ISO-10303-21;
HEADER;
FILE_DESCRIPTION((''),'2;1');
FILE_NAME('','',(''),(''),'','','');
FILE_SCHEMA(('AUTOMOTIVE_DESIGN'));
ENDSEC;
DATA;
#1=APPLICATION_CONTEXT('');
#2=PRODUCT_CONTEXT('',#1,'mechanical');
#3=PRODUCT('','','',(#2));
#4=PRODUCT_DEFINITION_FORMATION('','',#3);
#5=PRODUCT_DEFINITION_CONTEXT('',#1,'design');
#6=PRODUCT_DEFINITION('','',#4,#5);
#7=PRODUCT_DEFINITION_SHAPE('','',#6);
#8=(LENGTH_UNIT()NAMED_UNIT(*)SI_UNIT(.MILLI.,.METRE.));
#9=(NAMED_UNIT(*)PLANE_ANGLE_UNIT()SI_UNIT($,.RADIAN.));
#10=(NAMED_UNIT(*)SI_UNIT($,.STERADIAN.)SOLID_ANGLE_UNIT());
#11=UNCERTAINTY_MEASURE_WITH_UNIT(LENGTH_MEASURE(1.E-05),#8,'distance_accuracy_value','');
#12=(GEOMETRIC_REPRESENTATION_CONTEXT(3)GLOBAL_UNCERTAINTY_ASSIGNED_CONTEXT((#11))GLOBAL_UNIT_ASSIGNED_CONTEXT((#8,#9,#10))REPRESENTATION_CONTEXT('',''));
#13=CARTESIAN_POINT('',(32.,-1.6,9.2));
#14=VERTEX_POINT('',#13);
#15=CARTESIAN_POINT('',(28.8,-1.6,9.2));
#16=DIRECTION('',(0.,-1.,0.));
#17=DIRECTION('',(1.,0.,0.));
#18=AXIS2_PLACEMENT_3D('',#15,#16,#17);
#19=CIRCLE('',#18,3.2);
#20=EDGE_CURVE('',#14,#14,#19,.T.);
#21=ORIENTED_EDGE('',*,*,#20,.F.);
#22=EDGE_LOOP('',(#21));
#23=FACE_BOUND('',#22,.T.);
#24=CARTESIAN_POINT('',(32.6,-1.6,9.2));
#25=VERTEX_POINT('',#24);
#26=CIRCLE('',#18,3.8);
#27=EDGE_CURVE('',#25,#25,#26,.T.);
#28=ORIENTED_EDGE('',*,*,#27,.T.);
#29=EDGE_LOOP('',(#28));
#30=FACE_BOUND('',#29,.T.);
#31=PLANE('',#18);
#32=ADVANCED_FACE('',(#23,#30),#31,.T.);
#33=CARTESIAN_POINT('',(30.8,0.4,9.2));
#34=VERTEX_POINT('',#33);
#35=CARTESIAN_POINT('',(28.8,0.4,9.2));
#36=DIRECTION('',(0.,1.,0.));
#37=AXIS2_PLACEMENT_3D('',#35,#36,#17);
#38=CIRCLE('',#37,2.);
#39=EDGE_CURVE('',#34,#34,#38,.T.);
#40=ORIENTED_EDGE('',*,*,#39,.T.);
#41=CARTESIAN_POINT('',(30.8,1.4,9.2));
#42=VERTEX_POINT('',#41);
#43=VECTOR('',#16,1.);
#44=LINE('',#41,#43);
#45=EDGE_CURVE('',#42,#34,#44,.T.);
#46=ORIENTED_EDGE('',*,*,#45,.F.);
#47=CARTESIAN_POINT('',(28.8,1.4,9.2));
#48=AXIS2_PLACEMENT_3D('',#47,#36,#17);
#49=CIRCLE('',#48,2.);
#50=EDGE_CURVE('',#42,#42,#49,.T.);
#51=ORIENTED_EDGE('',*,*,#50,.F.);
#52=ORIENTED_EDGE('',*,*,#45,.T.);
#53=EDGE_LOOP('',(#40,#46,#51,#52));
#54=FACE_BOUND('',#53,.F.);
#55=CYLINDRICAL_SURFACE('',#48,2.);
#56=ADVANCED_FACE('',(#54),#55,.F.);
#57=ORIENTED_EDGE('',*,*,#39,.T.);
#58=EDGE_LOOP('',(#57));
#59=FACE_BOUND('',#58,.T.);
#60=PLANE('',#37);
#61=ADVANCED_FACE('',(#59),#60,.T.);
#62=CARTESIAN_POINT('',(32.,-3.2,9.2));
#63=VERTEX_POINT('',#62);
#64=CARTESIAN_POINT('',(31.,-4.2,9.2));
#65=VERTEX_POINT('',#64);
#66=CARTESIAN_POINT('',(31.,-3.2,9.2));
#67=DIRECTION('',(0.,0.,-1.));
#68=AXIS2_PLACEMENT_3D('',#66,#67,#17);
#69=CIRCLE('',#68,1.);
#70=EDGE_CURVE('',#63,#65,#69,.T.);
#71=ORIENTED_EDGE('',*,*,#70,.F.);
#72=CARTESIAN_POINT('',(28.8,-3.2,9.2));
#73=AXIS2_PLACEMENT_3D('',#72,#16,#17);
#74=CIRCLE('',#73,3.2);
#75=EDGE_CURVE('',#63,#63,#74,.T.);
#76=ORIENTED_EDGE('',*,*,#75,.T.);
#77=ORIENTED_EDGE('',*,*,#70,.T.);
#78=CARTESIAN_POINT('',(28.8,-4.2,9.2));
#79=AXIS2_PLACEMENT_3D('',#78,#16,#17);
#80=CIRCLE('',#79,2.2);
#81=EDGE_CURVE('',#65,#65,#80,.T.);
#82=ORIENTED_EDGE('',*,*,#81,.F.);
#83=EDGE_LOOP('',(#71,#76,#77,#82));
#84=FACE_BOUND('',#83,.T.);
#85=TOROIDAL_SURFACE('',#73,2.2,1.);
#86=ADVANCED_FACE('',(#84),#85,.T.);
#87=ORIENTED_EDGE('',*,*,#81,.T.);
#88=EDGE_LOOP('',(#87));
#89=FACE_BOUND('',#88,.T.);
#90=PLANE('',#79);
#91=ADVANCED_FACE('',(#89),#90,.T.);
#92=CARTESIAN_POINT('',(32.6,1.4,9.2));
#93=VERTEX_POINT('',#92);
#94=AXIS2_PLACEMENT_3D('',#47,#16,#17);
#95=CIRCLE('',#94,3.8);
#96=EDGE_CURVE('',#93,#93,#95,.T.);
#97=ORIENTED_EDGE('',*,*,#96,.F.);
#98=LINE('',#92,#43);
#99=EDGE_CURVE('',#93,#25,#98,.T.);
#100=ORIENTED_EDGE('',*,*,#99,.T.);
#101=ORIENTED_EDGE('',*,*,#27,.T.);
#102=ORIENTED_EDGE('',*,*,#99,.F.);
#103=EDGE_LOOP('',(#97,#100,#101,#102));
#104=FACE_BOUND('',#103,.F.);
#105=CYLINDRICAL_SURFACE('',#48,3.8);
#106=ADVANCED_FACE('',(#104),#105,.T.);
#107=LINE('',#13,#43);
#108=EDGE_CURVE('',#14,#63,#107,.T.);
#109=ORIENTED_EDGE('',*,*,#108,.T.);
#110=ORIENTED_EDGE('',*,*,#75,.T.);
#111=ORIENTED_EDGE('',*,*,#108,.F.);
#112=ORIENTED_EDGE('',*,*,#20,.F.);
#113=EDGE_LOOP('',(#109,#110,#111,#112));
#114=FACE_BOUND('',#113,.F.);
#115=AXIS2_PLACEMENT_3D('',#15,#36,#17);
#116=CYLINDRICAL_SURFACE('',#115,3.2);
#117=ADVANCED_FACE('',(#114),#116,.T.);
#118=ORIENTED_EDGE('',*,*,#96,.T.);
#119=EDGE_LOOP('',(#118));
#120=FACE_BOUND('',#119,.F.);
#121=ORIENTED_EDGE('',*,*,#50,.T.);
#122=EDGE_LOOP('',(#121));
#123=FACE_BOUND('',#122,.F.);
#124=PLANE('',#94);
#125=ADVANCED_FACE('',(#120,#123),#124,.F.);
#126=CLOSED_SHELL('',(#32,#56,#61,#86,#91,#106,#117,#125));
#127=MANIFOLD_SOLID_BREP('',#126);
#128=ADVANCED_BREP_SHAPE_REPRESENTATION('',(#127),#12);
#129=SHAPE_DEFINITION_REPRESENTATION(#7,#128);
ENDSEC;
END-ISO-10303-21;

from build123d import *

# Parameters (mm, degrees)
SKETCH026_R     = 3.8
PAD009_DEPTH    = 3
SKETCH027_R     = 3.2
PAD010_DEPTH    = 2.6
FILLET_R        = 1
SKETCH029_R     = 2
POCKET013_DEPTH = 1


with BuildPart() as part:
    # Sketch026 → Pad009 (new body)
    with BuildSketch(Plane.XZ):
        with Locations((28.8, 9.2)):
            Circle(SKETCH026_R)
    extrude(amount=PAD009_DEPTH)

    # Sketch027 (on Face3 of Pad009) → Pad010 (join)
    with BuildSketch(Plane.XZ.offset(3)):
        with Locations((28.8, 9.2)):
            Circle(SKETCH027_R)
    extrude(amount=PAD010_DEPTH)

    # Fillet
    fillet_edges = [part.edges().sort_by_distance(p)[0] for p in [
        (25.6, -5.6, 9.2),
    ]]
    fillet(fillet_edges, radius=FILLET_R)

    # Sketch029 (on Face6 of Fillet) → Pocket013 (cut)
    with BuildSketch(Plane(origin=(0, 0, 0), x_dir=(1, 0, 0), z_dir=(0, 1, 0))):
        with Locations((28.8, -9.2)):
            Circle(SKETCH029_R)
    extrude(amount=-POCKET013_DEPTH, mode=Mode.SUBTRACT)


with BuildPart() as part_1:
    # Body003 placement: moved
    add(part.part.moved(Location((0, 1.4, 0))))


solid = part_1.part
